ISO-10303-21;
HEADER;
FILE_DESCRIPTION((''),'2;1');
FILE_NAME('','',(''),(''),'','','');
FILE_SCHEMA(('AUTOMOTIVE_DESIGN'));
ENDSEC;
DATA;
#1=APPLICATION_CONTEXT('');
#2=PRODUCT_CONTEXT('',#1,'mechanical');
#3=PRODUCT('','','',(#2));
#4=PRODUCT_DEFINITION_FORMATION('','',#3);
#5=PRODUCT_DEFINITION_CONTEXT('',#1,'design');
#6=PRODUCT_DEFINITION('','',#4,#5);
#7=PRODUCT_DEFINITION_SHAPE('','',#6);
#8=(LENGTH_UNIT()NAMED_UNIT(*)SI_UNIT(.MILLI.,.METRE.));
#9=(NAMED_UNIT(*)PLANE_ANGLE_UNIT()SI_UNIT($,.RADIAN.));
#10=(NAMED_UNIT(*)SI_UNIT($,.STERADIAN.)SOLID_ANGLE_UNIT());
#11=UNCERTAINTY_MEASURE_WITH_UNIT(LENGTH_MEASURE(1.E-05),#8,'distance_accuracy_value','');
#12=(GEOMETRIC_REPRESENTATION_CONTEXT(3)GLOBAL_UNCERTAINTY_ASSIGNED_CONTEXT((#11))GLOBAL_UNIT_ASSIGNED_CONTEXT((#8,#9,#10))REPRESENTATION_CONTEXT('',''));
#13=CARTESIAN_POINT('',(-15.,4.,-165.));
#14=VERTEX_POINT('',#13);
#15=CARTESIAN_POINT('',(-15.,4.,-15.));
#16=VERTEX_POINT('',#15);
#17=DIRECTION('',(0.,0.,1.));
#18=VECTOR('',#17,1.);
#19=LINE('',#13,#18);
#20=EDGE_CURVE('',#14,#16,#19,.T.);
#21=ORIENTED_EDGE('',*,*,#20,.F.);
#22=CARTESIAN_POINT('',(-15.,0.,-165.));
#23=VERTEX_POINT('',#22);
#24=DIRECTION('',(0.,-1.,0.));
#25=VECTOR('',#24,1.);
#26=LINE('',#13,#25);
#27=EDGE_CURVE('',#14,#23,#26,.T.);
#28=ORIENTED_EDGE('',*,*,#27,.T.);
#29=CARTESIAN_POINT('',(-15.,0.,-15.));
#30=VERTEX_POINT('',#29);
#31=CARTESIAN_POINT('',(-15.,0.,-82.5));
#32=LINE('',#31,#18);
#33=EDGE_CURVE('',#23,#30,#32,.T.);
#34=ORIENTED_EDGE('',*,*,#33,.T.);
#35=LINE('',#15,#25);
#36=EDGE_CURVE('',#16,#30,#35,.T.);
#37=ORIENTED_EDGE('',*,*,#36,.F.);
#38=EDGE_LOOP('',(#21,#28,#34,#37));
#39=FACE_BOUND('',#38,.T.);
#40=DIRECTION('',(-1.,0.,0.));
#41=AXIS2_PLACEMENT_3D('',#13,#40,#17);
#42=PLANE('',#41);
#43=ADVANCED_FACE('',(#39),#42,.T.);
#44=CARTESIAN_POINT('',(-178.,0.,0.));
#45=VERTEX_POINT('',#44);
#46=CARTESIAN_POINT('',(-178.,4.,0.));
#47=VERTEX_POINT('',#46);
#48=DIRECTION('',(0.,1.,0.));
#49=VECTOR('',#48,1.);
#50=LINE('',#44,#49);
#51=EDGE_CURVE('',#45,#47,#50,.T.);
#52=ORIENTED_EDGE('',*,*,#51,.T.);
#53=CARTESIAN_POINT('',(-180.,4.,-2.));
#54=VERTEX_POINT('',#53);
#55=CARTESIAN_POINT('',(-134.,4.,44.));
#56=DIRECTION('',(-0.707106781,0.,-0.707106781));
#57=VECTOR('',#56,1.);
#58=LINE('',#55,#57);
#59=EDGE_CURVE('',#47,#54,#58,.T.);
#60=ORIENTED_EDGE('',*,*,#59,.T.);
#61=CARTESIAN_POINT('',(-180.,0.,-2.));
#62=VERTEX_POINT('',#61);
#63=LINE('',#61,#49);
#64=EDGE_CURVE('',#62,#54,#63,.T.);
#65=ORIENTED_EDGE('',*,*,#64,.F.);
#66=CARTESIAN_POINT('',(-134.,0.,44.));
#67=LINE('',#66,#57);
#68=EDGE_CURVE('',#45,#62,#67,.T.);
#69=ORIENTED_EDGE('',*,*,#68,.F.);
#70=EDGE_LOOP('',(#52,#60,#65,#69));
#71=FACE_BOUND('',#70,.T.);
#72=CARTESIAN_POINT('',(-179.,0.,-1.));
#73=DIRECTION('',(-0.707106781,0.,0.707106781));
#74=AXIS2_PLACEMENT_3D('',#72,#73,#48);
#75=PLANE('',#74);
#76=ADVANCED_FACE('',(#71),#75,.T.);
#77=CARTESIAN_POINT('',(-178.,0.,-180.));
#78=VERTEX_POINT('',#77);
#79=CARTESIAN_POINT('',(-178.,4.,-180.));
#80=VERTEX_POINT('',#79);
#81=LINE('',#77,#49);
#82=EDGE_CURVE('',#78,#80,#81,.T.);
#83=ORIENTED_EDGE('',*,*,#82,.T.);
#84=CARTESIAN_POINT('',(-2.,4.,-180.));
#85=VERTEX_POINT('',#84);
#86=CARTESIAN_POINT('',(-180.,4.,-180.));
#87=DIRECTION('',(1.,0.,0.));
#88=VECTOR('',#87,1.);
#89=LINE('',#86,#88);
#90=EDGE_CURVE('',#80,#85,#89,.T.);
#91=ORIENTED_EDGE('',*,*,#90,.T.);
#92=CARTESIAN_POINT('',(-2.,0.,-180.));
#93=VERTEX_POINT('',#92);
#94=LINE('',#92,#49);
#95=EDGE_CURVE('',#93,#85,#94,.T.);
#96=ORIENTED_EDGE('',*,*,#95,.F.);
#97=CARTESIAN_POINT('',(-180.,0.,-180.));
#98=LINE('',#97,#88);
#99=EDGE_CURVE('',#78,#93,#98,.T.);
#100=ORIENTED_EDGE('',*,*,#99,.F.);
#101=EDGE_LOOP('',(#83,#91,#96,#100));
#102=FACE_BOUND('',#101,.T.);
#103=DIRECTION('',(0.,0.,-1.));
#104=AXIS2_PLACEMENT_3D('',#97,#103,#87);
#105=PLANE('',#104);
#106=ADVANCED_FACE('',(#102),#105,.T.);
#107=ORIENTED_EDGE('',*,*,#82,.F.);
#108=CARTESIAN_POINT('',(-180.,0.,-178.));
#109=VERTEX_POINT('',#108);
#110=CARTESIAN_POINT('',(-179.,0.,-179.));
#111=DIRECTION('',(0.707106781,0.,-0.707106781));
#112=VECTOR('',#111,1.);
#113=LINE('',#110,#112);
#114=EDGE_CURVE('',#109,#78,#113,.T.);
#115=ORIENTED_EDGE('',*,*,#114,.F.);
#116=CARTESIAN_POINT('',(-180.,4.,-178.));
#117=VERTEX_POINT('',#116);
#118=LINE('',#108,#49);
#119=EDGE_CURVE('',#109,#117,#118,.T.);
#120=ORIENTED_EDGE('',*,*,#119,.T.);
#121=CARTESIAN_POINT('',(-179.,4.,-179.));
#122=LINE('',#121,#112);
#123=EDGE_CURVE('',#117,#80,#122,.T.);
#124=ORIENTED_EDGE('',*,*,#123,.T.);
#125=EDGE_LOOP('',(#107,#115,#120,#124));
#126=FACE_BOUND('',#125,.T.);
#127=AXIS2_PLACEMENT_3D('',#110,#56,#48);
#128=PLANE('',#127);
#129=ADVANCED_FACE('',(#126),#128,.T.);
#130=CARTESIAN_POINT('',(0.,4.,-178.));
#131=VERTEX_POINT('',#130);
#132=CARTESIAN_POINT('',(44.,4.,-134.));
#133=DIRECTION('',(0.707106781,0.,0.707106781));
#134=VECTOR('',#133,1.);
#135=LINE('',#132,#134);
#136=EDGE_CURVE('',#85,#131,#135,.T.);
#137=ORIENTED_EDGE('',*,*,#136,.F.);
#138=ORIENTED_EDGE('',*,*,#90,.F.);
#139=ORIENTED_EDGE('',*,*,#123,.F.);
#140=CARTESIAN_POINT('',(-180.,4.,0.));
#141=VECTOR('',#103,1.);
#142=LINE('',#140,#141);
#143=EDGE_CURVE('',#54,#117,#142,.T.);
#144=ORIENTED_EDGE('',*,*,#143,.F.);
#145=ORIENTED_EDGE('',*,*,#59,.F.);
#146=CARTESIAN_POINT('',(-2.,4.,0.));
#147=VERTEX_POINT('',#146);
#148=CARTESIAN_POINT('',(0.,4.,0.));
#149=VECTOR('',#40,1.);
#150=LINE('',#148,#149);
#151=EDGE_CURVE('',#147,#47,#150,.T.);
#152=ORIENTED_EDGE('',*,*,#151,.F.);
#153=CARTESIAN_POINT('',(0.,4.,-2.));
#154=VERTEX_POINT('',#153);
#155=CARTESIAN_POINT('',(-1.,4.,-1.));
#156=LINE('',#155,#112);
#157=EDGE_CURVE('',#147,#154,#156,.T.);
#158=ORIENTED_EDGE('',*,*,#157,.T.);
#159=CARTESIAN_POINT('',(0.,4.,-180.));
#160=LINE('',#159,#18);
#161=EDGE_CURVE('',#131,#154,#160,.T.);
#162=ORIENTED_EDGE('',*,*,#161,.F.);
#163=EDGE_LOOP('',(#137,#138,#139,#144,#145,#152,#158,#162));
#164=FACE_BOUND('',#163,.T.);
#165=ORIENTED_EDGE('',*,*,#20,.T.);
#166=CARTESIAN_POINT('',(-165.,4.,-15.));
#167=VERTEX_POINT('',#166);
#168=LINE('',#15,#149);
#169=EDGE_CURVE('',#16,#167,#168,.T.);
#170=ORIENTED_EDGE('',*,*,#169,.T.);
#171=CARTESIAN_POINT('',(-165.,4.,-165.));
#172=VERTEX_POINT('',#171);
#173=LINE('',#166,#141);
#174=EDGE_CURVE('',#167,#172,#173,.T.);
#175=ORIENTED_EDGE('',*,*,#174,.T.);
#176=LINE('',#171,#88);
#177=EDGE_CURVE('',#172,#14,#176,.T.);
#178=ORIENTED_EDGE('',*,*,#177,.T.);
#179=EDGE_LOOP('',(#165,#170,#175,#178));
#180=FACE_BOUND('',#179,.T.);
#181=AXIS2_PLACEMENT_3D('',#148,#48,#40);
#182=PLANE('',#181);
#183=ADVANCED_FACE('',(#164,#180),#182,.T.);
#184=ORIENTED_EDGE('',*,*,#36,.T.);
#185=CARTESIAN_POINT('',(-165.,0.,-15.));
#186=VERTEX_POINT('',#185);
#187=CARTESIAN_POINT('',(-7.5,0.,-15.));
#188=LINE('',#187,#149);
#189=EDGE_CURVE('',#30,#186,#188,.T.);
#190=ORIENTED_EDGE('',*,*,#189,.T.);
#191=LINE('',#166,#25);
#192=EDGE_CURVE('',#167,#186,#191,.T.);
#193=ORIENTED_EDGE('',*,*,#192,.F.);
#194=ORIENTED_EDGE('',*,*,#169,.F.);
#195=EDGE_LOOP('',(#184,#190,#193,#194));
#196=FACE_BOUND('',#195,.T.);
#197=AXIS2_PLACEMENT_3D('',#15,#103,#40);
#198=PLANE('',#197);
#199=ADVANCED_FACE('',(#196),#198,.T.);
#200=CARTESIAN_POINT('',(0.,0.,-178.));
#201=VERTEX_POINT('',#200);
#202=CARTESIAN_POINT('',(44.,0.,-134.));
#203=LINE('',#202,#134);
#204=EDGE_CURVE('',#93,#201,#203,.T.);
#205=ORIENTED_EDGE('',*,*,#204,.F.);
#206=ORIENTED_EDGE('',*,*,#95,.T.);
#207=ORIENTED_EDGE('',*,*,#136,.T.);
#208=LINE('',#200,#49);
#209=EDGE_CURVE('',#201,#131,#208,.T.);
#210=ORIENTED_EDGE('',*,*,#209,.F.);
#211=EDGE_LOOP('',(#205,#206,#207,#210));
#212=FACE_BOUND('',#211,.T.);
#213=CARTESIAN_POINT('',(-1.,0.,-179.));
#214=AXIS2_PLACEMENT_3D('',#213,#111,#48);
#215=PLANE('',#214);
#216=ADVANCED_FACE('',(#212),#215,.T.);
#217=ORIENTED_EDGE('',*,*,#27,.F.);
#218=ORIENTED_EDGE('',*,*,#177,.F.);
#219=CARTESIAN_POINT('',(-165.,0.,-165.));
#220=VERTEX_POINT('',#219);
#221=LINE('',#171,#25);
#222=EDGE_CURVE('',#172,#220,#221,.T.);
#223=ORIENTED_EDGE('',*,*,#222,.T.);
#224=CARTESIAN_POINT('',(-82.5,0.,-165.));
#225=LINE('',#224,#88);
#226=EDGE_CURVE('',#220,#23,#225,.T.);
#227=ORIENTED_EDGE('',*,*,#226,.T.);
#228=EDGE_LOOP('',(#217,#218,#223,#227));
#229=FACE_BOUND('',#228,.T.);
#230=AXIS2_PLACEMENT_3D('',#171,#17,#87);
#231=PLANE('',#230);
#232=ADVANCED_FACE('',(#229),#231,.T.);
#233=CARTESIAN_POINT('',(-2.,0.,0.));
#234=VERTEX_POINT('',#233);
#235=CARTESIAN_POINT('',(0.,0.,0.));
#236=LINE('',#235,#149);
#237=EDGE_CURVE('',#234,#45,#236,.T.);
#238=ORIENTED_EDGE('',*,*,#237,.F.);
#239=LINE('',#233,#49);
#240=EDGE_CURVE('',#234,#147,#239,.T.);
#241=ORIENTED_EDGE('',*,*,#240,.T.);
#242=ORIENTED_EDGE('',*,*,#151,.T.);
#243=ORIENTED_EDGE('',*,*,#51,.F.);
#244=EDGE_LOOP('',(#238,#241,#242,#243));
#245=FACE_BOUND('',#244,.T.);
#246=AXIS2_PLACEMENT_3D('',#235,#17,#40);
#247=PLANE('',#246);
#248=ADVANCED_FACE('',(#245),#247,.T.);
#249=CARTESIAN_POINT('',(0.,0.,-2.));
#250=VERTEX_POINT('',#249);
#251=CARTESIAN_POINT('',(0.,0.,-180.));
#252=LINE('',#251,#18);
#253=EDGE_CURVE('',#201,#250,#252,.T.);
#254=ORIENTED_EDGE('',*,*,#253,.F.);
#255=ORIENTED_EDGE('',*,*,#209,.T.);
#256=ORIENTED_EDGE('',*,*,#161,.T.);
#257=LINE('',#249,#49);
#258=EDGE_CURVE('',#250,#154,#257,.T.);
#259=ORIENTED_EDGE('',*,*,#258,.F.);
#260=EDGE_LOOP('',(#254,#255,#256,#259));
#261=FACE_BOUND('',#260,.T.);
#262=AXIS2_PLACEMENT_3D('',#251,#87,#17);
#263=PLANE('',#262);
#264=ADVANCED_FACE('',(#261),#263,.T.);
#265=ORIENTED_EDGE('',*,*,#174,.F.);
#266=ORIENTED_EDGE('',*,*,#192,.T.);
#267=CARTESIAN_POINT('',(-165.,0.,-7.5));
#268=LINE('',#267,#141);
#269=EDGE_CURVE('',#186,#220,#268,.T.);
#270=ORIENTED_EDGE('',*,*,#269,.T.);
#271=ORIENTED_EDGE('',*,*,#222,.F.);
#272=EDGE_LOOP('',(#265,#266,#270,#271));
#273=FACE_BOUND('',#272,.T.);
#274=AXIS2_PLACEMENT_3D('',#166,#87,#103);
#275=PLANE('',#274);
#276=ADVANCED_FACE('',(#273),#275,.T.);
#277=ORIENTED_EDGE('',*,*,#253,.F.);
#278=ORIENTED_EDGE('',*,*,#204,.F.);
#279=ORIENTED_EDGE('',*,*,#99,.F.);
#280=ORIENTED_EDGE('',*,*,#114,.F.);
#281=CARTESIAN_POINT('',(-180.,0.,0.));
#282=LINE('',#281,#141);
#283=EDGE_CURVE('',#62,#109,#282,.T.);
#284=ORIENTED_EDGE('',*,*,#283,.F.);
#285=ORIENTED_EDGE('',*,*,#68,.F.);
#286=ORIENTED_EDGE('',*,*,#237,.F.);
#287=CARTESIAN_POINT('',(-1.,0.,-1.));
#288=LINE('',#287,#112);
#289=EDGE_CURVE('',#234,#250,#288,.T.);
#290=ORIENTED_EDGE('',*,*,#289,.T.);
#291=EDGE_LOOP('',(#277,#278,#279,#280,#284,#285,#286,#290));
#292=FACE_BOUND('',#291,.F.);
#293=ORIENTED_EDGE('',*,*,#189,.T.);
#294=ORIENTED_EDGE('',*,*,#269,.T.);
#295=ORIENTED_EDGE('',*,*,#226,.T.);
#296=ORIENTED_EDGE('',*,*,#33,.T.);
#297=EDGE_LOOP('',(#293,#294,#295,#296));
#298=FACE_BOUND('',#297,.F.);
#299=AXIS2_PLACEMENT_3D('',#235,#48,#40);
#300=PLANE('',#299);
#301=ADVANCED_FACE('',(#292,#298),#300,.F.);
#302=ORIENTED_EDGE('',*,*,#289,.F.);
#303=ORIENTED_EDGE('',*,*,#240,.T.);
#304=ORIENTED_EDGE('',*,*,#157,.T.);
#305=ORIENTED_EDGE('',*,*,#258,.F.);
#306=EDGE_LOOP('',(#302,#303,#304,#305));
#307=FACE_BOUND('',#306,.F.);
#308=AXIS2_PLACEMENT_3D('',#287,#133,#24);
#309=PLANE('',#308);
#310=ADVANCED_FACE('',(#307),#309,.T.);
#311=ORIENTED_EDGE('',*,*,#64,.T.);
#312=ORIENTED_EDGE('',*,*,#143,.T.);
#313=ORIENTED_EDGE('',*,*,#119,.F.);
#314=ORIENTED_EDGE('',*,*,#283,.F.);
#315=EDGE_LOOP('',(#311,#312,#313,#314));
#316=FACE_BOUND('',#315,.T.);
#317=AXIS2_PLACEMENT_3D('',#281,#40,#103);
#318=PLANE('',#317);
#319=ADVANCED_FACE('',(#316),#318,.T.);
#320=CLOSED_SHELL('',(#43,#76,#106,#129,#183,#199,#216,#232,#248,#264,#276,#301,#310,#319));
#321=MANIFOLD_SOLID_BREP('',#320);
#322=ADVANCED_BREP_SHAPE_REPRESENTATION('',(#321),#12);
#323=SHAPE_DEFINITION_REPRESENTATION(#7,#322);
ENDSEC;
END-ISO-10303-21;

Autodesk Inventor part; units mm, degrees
ref_plane "YZ Plane" through (0, 0, 0) normal (1, 0, 0) x (0, 1, 0)
ref_plane "XZ Plane" through (0, 0, 0) normal (0, 1, 0) x (-1, 0, 0)
ref_plane "XY Plane" through (0, 0, 0) normal (0, 0, 1) x (1, 0, 0)
sketch "Sketch1" plane through (0, 0, 0) normal (0, 1, 0) x (-1, 0, 0)
  line L0 (0, 0) -> (180, 0)
  line L1 (180, 0) -> (180, -180)
  line L2 (180, -180) -> (0, -180)
  line L3 (0, -180) -> (0, 0)
  dimension "d0" = 180
  dimension "d1" = 180
extrude "Extrusion1" add sketch "Sketch1" along normal blind 4
chamfer "Chamfer1" distance 2 angle 45 4 edges at (-180, 2, 0) (-180, 2, -180) (0, 2, -180) (0, 2, 0)
sketch "Sketch5" plane through (0, 4, 0) normal (0, 1, 0) x (1, 0, 0)
  line L0 (-165, 165) -> (-15, 165)
  line L1 (-15, 165) -> (-15, 15)
  line L2 (-15, 15) -> (-165, 15)
  line L3 (-165, 15) -> (-165, 165)
  point P0 (0, 0)
  dimension "d29" = 150
  dimension "d30" = 150
  dimension "d31" = 15
  dimension "d32" = 15
extrude "Extrusion5" cut sketch "Sketch5" against normal through all
properties part number "MouldBase20"
